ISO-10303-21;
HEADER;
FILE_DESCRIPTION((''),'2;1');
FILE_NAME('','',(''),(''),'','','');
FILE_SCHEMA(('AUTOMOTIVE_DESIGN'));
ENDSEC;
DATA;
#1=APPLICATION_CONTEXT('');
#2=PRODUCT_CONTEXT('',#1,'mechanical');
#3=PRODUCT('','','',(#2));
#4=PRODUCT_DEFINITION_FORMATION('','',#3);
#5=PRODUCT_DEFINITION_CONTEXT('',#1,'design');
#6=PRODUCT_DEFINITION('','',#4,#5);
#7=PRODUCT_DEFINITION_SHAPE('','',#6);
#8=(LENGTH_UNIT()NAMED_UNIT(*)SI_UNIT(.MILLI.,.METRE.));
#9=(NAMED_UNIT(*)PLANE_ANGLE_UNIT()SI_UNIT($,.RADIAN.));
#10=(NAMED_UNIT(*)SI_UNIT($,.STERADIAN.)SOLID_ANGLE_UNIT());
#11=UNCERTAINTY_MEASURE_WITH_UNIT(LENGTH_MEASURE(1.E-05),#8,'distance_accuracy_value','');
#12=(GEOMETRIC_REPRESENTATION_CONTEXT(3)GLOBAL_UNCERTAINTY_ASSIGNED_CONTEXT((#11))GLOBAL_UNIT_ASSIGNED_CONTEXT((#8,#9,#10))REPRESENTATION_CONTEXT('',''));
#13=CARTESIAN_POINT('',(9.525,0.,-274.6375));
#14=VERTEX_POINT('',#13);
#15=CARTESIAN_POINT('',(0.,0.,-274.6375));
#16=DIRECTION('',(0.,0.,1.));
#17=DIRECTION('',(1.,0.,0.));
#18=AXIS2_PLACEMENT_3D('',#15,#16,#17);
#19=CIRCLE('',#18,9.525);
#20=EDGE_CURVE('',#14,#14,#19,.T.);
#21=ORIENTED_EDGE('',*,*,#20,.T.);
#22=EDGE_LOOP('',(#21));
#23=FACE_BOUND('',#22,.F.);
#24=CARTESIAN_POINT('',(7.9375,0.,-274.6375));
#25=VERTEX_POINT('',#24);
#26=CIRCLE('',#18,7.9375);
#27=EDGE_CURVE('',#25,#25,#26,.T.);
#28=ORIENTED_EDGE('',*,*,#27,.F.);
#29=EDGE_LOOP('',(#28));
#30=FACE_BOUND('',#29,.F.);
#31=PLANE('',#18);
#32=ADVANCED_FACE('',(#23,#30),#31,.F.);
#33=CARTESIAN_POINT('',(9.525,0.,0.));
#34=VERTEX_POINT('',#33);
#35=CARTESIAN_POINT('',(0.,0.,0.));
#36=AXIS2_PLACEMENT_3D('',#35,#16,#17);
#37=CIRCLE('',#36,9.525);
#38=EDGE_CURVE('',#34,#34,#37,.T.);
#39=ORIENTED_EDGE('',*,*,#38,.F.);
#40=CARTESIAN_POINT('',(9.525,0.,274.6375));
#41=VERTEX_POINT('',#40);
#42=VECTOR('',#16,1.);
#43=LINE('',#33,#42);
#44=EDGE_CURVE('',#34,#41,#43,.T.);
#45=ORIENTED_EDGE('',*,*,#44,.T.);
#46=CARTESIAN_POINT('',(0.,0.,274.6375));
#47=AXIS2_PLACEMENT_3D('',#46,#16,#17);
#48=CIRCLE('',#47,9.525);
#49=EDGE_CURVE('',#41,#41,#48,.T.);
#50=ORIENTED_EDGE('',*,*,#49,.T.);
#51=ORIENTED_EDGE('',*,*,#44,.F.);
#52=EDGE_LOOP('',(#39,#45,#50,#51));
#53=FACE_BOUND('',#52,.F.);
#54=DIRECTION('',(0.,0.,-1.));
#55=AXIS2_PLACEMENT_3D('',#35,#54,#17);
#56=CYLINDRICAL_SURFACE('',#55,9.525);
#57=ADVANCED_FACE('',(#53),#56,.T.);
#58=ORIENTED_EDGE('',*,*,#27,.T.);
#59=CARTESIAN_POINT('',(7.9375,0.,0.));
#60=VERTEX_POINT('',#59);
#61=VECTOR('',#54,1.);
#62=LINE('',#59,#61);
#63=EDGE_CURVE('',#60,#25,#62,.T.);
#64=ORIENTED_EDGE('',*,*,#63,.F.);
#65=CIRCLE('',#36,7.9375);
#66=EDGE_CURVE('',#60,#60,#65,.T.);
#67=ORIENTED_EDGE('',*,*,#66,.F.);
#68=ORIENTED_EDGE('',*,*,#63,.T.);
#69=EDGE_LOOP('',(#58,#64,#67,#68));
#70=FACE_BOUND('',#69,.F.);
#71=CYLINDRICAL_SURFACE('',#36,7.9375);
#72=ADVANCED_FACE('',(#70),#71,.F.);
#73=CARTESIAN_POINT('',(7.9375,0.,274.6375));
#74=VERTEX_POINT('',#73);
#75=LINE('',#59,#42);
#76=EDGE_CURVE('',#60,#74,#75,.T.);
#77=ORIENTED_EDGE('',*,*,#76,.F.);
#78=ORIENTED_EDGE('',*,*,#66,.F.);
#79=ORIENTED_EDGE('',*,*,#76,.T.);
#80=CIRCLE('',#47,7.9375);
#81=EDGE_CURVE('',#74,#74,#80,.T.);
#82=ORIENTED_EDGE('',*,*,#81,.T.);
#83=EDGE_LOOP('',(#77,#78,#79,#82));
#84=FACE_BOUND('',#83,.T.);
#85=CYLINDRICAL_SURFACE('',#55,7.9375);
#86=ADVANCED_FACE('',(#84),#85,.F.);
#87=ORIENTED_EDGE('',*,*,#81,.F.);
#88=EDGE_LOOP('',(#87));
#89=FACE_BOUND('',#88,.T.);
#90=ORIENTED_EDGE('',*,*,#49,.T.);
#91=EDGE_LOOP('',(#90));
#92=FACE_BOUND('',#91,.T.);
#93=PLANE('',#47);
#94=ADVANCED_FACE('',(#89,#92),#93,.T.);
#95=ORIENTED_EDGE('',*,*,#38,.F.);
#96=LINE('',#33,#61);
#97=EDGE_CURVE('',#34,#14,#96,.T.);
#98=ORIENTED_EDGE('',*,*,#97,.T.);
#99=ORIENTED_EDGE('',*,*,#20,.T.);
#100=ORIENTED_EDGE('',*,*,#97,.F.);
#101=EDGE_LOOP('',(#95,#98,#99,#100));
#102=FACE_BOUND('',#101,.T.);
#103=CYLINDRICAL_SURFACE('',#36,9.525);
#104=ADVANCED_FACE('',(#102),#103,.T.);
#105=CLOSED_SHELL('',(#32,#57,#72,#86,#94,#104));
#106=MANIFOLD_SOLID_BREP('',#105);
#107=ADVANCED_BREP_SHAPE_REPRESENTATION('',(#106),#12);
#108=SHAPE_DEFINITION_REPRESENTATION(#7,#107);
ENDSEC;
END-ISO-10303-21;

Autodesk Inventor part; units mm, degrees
ref_plane "YZ Plane" through (0, 0, 0) normal (1, 0, 0) x (0, 1, 0)
ref_plane "XZ Plane" through (0, 0, 0) normal (0, 1, 0) x (-1, 0, 0)
ref_plane "XY Plane" through (0, 0, 0) normal (0, 0, 1) x (1, 0, 0)
sketch "Sketch1" plane through (0, 0, 0) normal (0, 0, 1) x (1, 0, 0)
  circle A0 centre (0, 0) radius 9.525
  circle A1 centre (0, 0) radius 7.9375
  dimension "d0" = 19.05
  dimension "d1" = 15.875
extrude "Extrusion1" add sketch "Sketch1" along normal mid plane 549.275
sketch "Sketch2" plane through (0, 0, 274.6375) normal (0, 0, 1) x (1, 0, 0)
  circle A0 centre (0, 0) radius 11.938 construction
  circle A1 centre (0, 0) radius 49.4284 construction
  dimension "d4" = 23.876
  dimension "d6" = 49.4284
properties part number "TUBE,ROLLER,LONG" material "Aluminum 6061"
